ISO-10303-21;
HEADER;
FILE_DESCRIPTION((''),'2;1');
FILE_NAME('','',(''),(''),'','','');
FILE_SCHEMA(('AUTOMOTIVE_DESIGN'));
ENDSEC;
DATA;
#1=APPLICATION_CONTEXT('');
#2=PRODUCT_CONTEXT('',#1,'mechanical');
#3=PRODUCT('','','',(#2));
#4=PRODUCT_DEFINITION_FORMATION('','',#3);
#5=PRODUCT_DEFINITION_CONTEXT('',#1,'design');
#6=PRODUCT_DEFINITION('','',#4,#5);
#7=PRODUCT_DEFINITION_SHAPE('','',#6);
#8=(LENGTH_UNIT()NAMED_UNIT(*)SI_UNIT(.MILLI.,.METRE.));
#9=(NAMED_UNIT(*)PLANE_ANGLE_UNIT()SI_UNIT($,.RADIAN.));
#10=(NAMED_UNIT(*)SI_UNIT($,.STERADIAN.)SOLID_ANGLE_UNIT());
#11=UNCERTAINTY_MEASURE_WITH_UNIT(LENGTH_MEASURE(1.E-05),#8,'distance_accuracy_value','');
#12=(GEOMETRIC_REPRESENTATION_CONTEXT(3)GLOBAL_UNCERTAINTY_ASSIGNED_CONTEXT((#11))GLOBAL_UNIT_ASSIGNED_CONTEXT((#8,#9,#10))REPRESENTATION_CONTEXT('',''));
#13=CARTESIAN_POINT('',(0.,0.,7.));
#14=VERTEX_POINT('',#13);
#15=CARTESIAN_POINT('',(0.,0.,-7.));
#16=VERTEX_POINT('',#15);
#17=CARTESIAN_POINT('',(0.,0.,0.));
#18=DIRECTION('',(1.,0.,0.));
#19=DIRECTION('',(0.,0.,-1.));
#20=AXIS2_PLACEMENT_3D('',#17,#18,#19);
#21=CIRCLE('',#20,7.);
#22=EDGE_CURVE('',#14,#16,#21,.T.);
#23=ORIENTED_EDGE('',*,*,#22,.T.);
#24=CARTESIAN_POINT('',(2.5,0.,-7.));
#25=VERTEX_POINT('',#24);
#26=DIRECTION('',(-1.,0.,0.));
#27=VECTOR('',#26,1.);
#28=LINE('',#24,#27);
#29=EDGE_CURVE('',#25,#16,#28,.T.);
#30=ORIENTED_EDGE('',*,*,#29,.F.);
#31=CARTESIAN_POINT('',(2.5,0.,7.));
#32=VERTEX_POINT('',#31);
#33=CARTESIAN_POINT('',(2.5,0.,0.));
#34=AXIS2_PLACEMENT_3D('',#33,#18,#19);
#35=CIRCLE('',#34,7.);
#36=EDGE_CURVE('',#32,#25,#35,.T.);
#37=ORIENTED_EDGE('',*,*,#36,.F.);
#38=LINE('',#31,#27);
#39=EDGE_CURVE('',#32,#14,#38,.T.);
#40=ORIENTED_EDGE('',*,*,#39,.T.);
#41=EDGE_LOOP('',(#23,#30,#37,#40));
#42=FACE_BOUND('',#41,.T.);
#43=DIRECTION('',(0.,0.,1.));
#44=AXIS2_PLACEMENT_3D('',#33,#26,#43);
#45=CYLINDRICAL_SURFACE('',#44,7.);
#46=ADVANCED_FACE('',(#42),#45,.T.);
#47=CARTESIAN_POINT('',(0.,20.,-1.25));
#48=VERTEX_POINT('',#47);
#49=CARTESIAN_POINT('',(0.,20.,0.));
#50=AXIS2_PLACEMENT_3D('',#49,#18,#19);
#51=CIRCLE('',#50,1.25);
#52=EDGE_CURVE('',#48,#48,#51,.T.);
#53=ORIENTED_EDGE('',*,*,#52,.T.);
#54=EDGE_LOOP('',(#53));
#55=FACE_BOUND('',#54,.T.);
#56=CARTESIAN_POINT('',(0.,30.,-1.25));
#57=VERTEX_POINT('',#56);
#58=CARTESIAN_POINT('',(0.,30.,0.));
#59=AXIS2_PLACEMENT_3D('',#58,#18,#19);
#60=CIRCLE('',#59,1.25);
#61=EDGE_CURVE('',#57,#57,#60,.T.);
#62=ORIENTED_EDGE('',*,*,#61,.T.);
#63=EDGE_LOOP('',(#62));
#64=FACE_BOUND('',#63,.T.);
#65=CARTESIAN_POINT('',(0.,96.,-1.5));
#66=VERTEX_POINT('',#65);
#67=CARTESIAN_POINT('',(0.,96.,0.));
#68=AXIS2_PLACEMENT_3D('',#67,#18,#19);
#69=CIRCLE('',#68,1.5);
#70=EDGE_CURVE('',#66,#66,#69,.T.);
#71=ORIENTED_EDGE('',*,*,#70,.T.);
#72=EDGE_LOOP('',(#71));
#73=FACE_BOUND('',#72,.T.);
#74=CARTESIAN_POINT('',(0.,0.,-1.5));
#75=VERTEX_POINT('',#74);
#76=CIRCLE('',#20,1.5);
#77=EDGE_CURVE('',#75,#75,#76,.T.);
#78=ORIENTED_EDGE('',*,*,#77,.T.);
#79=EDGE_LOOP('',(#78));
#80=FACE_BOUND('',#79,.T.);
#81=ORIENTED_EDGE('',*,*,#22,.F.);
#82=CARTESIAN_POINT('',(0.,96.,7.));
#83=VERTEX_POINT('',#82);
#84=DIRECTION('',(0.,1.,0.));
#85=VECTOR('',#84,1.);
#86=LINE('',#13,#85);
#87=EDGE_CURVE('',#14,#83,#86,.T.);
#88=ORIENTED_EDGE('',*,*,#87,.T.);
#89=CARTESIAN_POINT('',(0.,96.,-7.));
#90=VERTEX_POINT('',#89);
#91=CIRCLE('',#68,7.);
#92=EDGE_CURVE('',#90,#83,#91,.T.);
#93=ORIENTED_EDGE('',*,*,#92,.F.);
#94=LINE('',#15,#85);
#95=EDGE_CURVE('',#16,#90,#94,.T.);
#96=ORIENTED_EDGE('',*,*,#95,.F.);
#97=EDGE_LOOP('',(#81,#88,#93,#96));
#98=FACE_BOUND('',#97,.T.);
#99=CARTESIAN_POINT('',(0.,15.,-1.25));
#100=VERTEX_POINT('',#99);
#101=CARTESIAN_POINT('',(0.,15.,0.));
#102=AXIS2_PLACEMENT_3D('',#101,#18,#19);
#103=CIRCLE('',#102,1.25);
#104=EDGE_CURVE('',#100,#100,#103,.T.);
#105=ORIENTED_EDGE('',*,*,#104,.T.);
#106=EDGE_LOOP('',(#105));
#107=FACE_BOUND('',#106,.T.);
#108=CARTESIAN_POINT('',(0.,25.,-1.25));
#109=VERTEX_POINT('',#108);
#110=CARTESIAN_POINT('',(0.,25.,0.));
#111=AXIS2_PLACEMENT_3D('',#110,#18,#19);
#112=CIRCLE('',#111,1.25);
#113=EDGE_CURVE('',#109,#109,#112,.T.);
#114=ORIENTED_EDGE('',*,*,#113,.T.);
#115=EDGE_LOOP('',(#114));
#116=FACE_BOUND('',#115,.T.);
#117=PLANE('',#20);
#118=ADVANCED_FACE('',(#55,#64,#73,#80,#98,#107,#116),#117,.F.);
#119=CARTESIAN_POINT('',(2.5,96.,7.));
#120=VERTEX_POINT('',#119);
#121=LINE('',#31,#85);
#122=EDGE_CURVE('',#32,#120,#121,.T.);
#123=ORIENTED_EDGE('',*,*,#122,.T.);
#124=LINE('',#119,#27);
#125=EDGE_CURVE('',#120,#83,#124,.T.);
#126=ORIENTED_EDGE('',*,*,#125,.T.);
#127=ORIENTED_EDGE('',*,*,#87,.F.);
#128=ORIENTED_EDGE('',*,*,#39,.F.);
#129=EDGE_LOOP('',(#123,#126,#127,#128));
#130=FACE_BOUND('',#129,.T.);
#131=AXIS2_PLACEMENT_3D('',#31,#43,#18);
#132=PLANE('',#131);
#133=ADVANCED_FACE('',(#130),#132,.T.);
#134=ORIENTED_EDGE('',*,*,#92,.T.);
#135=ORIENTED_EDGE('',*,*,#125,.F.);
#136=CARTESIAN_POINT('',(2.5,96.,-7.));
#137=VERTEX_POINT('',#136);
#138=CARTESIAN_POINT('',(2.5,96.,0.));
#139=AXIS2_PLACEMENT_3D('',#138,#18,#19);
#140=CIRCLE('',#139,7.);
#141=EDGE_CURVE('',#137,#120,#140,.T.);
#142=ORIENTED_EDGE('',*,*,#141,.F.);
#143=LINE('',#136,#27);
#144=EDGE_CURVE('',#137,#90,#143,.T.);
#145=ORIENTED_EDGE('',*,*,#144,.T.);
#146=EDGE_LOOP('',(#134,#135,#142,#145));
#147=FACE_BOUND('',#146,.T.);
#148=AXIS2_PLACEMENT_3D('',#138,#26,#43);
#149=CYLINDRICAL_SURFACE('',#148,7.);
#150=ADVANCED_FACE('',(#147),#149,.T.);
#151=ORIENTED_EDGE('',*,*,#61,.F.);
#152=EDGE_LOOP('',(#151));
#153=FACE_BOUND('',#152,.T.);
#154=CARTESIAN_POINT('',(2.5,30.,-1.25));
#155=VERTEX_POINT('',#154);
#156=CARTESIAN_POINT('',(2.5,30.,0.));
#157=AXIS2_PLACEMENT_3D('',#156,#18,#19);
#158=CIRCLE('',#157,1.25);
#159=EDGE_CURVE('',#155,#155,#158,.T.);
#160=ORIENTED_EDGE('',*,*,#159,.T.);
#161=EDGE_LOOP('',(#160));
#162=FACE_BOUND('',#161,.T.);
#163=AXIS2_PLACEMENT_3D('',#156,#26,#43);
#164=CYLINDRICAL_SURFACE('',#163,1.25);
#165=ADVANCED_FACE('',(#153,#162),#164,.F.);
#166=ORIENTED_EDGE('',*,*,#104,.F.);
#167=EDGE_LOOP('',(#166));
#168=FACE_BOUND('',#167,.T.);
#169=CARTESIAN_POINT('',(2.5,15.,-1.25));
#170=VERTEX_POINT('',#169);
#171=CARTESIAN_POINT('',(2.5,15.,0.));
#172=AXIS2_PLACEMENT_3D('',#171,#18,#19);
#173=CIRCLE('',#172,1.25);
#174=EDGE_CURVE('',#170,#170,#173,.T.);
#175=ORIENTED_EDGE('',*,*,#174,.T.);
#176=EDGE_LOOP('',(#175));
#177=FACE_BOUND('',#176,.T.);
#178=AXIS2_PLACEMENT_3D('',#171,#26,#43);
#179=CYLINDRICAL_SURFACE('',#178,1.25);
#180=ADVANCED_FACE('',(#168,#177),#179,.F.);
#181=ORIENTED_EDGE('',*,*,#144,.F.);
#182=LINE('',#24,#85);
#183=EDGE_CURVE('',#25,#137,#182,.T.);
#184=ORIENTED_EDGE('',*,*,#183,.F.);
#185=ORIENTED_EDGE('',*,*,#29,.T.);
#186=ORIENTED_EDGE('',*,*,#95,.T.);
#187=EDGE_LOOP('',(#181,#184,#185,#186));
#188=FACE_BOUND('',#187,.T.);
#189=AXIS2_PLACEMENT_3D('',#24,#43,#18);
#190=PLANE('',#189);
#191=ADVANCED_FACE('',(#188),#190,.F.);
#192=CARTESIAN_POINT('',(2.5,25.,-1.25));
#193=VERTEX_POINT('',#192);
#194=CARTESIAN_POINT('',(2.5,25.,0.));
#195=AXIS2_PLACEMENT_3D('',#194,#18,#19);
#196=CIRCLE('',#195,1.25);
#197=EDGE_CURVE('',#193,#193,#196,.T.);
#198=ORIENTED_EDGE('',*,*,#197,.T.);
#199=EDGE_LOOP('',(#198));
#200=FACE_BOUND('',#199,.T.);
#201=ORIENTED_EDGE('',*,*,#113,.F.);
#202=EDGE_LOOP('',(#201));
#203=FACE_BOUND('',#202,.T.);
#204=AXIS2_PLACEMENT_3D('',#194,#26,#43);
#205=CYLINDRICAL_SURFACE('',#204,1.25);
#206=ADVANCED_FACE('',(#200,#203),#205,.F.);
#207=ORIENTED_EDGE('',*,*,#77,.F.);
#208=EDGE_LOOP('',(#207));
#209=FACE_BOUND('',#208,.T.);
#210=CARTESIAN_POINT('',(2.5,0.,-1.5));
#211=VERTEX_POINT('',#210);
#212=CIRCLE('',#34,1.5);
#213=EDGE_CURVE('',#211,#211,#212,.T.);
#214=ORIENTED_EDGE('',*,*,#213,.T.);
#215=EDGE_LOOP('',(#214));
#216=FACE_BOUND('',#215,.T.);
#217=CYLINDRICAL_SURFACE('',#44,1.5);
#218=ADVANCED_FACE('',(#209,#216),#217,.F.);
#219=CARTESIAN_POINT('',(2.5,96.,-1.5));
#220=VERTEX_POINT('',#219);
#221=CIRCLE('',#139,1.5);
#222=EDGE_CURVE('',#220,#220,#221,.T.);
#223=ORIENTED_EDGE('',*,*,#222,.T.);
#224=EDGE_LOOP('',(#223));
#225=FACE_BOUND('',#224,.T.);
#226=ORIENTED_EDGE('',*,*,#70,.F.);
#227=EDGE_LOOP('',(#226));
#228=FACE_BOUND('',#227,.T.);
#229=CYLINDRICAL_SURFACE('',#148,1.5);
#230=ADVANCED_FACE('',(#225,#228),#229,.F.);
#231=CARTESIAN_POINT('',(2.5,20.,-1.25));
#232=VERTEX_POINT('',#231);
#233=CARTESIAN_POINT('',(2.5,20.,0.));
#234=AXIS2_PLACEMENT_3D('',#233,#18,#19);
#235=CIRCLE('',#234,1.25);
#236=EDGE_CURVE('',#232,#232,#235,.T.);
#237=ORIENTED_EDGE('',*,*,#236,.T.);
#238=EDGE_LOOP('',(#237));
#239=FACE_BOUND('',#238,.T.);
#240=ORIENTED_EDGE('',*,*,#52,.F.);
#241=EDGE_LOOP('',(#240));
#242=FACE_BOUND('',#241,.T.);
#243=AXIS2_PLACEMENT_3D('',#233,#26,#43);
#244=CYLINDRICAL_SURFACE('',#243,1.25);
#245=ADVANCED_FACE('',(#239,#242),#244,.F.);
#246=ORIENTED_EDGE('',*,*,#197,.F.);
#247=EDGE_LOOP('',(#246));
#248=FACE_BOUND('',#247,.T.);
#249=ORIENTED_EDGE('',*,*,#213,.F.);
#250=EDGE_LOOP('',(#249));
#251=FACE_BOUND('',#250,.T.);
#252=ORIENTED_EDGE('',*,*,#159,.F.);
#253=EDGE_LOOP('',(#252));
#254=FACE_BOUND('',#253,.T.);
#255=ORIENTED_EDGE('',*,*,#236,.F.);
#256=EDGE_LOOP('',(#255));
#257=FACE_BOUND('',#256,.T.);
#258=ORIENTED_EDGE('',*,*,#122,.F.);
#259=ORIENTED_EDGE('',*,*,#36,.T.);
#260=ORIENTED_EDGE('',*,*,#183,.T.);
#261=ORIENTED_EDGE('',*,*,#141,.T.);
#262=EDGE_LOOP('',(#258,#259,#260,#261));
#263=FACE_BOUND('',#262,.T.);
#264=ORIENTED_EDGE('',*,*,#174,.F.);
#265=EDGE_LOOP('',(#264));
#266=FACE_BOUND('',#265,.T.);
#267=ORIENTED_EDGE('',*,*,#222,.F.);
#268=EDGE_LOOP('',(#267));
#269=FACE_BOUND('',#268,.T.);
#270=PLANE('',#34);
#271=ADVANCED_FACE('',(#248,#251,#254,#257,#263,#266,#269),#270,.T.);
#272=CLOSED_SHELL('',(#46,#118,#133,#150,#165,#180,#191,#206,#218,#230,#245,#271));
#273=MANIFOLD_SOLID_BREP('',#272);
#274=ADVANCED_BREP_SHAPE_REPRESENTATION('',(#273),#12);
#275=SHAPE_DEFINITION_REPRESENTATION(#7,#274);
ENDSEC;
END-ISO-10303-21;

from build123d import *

# Parameters (mm, degrees)
SKETCH1_R           = 1.5
SKETCH1_R_2         = 1.25
BOSS_EXTRUDE1_DEPTH = 2.5


with BuildPart() as part:
    # Sketch1 → Boss-Extrude1 (new body)
    with BuildSketch(Plane(origin=(0, 0, 0), x_dir=(0, 0, -1), z_dir=(1, 0, 0))):
        with BuildLine():
            Line((-7, 0), (-7, 96))
            ThreePointArc((-7, 96), (0, 103), (7, 96))
            Line((7, 96), (7, 0))
            ThreePointArc((7, 0), (0, -7), (-7, 0))
        make_face()
        Circle(SKETCH1_R, mode=Mode.SUBTRACT)
        with Locations((0, 96)):
            Circle(SKETCH1_R, mode=Mode.SUBTRACT)
        with Locations((0, 15)):
            Circle(SKETCH1_R_2, mode=Mode.SUBTRACT)
        with Locations((0, 20)):
            Circle(SKETCH1_R_2, mode=Mode.SUBTRACT)
        with Locations((0, 25)):
            Circle(SKETCH1_R_2, mode=Mode.SUBTRACT)
        with Locations((0, 30)):
            Circle(SKETCH1_R_2, mode=Mode.SUBTRACT)
    extrude(amount=BOSS_EXTRUDE1_DEPTH)


solid = part.part
